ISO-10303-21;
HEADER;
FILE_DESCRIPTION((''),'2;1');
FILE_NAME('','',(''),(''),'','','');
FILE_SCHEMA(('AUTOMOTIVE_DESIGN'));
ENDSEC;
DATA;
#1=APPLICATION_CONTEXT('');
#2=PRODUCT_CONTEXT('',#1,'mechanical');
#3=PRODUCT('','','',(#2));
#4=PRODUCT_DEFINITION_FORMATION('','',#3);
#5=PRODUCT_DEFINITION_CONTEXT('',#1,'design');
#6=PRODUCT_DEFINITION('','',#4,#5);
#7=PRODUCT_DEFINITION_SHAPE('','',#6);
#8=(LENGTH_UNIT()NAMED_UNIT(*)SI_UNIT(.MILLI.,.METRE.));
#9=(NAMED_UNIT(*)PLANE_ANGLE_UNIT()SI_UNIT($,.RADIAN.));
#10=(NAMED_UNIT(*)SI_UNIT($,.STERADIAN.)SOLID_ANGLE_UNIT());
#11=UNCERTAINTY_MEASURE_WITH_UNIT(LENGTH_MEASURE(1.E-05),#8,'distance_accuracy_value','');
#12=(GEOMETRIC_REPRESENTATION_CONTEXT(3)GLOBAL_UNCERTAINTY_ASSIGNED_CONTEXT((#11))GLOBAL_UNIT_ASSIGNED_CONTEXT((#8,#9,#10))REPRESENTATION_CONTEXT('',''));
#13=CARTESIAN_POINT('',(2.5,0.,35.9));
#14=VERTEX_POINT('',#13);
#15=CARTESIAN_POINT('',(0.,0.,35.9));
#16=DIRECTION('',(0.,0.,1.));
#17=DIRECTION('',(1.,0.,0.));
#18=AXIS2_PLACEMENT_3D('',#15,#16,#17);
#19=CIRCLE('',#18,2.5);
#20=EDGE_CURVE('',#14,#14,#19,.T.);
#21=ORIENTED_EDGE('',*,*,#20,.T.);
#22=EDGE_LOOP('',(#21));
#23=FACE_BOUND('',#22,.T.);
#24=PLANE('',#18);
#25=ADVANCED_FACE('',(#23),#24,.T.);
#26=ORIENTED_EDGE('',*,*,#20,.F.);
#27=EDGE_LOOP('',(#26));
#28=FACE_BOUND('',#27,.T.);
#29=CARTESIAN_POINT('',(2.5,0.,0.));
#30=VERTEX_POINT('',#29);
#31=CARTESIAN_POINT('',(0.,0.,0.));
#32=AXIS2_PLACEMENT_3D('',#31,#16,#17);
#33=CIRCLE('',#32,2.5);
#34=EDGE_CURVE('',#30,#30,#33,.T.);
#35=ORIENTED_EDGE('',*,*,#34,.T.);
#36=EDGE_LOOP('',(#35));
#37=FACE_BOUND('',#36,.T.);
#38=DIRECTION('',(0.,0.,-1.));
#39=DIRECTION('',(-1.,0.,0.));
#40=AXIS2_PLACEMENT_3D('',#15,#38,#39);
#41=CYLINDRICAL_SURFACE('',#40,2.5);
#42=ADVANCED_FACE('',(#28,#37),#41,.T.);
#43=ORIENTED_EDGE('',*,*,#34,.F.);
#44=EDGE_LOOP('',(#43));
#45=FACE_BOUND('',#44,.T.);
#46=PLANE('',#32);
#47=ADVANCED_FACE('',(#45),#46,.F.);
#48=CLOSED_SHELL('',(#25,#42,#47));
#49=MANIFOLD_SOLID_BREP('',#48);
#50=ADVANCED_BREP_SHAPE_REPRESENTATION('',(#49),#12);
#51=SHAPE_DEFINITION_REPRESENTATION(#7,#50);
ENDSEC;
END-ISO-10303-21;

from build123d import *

# Parameters (mm, degrees)
BODY_SKETCH_R = 2.5
BODY_DEPTH    = 35.9


with BuildPart() as part:
    # Body sketch → Body (new body)
    with BuildSketch(Plane.XY):
        Circle(BODY_SKETCH_R)
    extrude(amount=BODY_DEPTH)


solid = part.part
